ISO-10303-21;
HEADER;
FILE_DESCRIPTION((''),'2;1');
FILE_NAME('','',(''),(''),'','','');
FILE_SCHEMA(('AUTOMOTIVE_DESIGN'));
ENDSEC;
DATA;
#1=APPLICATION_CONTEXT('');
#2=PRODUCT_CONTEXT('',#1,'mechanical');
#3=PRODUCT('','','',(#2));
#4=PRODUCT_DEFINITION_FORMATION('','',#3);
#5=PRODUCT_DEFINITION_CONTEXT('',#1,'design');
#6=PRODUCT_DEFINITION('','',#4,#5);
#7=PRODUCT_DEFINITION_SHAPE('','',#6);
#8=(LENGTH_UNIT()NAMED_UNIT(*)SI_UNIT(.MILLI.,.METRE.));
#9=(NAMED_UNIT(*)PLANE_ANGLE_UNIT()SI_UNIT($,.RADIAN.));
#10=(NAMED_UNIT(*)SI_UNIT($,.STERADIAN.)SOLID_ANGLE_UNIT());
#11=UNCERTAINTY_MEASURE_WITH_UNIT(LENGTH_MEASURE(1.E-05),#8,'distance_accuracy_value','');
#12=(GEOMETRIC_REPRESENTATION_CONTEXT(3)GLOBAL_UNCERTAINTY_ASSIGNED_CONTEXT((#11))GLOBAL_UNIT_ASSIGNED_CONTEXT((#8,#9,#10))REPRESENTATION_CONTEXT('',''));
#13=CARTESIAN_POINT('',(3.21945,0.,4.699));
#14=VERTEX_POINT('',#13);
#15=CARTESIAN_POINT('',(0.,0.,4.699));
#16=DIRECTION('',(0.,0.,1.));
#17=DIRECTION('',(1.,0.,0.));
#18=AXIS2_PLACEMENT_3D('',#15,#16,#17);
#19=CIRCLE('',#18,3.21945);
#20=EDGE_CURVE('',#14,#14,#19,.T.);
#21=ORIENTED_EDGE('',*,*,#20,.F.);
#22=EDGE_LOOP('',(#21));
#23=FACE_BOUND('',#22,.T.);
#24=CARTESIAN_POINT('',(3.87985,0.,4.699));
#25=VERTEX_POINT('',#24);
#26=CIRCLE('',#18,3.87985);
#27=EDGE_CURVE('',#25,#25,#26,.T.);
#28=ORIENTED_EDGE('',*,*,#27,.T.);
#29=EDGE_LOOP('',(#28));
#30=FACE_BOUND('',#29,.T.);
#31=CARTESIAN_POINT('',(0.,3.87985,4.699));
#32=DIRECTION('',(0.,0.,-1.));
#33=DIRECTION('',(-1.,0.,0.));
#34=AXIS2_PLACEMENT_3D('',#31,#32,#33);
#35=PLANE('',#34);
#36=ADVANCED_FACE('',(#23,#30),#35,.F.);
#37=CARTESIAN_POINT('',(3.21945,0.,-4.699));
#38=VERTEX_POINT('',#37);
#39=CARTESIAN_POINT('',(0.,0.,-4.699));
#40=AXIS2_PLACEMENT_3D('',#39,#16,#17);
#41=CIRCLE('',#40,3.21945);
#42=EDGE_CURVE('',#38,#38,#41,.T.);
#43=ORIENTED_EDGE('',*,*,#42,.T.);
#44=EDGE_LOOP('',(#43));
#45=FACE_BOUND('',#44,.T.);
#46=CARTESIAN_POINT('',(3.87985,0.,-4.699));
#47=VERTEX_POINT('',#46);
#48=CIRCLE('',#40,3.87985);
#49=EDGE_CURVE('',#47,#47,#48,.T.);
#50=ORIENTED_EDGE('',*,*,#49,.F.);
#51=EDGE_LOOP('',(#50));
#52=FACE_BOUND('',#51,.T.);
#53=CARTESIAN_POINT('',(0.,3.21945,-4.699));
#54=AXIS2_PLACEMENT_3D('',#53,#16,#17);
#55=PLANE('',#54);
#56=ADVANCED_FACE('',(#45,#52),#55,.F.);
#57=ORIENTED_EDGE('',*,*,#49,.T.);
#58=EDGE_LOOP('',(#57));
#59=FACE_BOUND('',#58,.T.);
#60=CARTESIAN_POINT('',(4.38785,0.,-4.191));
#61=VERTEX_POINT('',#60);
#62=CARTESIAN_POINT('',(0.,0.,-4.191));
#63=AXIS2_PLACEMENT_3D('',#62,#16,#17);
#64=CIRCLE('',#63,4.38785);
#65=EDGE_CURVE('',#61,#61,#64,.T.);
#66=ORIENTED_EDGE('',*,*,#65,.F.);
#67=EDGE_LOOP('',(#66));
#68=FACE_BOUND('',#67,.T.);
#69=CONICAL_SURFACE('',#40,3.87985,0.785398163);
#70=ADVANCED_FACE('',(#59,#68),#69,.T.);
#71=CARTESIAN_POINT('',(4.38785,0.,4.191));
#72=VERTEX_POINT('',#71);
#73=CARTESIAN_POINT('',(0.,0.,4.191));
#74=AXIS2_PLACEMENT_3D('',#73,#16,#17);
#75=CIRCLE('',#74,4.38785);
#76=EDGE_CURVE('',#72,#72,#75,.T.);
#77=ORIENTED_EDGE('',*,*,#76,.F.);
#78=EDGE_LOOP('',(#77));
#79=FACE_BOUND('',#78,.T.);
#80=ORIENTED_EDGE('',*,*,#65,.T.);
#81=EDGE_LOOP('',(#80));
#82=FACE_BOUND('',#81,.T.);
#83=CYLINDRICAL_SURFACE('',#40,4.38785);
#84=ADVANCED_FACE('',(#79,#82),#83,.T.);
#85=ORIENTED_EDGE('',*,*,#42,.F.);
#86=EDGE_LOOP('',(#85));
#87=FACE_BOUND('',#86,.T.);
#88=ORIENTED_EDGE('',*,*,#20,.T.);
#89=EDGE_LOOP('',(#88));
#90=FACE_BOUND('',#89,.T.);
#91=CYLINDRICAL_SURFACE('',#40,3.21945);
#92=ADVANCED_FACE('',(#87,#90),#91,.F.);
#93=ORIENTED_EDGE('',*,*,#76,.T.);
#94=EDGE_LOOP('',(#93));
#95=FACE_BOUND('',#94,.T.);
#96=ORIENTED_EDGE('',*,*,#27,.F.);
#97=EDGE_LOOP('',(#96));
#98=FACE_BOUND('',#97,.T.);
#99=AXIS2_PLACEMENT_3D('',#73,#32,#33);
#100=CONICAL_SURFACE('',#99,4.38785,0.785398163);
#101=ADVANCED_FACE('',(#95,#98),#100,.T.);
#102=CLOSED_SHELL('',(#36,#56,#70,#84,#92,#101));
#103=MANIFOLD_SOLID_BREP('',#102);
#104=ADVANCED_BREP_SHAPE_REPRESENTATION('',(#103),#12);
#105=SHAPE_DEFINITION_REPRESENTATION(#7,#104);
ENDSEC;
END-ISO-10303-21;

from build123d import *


with BuildPart() as part:
    # Sketch1 → Revolve1 (revolve)
    with BuildSketch(Plane(origin=(0, 0, 0), x_dir=(0, 0, -1), z_dir=(1, 0, 0))):
        Polygon((-4.699, 3.87985), (-4.699, 3.21945), (4.699, 3.21945), (4.699, 3.87985), (4.191, 4.38785), (-4.191, 4.38785), align=None)
    revolve(axis=Axis((0, 0, -4.699), (0, 0, 1)))


solid = part.part
